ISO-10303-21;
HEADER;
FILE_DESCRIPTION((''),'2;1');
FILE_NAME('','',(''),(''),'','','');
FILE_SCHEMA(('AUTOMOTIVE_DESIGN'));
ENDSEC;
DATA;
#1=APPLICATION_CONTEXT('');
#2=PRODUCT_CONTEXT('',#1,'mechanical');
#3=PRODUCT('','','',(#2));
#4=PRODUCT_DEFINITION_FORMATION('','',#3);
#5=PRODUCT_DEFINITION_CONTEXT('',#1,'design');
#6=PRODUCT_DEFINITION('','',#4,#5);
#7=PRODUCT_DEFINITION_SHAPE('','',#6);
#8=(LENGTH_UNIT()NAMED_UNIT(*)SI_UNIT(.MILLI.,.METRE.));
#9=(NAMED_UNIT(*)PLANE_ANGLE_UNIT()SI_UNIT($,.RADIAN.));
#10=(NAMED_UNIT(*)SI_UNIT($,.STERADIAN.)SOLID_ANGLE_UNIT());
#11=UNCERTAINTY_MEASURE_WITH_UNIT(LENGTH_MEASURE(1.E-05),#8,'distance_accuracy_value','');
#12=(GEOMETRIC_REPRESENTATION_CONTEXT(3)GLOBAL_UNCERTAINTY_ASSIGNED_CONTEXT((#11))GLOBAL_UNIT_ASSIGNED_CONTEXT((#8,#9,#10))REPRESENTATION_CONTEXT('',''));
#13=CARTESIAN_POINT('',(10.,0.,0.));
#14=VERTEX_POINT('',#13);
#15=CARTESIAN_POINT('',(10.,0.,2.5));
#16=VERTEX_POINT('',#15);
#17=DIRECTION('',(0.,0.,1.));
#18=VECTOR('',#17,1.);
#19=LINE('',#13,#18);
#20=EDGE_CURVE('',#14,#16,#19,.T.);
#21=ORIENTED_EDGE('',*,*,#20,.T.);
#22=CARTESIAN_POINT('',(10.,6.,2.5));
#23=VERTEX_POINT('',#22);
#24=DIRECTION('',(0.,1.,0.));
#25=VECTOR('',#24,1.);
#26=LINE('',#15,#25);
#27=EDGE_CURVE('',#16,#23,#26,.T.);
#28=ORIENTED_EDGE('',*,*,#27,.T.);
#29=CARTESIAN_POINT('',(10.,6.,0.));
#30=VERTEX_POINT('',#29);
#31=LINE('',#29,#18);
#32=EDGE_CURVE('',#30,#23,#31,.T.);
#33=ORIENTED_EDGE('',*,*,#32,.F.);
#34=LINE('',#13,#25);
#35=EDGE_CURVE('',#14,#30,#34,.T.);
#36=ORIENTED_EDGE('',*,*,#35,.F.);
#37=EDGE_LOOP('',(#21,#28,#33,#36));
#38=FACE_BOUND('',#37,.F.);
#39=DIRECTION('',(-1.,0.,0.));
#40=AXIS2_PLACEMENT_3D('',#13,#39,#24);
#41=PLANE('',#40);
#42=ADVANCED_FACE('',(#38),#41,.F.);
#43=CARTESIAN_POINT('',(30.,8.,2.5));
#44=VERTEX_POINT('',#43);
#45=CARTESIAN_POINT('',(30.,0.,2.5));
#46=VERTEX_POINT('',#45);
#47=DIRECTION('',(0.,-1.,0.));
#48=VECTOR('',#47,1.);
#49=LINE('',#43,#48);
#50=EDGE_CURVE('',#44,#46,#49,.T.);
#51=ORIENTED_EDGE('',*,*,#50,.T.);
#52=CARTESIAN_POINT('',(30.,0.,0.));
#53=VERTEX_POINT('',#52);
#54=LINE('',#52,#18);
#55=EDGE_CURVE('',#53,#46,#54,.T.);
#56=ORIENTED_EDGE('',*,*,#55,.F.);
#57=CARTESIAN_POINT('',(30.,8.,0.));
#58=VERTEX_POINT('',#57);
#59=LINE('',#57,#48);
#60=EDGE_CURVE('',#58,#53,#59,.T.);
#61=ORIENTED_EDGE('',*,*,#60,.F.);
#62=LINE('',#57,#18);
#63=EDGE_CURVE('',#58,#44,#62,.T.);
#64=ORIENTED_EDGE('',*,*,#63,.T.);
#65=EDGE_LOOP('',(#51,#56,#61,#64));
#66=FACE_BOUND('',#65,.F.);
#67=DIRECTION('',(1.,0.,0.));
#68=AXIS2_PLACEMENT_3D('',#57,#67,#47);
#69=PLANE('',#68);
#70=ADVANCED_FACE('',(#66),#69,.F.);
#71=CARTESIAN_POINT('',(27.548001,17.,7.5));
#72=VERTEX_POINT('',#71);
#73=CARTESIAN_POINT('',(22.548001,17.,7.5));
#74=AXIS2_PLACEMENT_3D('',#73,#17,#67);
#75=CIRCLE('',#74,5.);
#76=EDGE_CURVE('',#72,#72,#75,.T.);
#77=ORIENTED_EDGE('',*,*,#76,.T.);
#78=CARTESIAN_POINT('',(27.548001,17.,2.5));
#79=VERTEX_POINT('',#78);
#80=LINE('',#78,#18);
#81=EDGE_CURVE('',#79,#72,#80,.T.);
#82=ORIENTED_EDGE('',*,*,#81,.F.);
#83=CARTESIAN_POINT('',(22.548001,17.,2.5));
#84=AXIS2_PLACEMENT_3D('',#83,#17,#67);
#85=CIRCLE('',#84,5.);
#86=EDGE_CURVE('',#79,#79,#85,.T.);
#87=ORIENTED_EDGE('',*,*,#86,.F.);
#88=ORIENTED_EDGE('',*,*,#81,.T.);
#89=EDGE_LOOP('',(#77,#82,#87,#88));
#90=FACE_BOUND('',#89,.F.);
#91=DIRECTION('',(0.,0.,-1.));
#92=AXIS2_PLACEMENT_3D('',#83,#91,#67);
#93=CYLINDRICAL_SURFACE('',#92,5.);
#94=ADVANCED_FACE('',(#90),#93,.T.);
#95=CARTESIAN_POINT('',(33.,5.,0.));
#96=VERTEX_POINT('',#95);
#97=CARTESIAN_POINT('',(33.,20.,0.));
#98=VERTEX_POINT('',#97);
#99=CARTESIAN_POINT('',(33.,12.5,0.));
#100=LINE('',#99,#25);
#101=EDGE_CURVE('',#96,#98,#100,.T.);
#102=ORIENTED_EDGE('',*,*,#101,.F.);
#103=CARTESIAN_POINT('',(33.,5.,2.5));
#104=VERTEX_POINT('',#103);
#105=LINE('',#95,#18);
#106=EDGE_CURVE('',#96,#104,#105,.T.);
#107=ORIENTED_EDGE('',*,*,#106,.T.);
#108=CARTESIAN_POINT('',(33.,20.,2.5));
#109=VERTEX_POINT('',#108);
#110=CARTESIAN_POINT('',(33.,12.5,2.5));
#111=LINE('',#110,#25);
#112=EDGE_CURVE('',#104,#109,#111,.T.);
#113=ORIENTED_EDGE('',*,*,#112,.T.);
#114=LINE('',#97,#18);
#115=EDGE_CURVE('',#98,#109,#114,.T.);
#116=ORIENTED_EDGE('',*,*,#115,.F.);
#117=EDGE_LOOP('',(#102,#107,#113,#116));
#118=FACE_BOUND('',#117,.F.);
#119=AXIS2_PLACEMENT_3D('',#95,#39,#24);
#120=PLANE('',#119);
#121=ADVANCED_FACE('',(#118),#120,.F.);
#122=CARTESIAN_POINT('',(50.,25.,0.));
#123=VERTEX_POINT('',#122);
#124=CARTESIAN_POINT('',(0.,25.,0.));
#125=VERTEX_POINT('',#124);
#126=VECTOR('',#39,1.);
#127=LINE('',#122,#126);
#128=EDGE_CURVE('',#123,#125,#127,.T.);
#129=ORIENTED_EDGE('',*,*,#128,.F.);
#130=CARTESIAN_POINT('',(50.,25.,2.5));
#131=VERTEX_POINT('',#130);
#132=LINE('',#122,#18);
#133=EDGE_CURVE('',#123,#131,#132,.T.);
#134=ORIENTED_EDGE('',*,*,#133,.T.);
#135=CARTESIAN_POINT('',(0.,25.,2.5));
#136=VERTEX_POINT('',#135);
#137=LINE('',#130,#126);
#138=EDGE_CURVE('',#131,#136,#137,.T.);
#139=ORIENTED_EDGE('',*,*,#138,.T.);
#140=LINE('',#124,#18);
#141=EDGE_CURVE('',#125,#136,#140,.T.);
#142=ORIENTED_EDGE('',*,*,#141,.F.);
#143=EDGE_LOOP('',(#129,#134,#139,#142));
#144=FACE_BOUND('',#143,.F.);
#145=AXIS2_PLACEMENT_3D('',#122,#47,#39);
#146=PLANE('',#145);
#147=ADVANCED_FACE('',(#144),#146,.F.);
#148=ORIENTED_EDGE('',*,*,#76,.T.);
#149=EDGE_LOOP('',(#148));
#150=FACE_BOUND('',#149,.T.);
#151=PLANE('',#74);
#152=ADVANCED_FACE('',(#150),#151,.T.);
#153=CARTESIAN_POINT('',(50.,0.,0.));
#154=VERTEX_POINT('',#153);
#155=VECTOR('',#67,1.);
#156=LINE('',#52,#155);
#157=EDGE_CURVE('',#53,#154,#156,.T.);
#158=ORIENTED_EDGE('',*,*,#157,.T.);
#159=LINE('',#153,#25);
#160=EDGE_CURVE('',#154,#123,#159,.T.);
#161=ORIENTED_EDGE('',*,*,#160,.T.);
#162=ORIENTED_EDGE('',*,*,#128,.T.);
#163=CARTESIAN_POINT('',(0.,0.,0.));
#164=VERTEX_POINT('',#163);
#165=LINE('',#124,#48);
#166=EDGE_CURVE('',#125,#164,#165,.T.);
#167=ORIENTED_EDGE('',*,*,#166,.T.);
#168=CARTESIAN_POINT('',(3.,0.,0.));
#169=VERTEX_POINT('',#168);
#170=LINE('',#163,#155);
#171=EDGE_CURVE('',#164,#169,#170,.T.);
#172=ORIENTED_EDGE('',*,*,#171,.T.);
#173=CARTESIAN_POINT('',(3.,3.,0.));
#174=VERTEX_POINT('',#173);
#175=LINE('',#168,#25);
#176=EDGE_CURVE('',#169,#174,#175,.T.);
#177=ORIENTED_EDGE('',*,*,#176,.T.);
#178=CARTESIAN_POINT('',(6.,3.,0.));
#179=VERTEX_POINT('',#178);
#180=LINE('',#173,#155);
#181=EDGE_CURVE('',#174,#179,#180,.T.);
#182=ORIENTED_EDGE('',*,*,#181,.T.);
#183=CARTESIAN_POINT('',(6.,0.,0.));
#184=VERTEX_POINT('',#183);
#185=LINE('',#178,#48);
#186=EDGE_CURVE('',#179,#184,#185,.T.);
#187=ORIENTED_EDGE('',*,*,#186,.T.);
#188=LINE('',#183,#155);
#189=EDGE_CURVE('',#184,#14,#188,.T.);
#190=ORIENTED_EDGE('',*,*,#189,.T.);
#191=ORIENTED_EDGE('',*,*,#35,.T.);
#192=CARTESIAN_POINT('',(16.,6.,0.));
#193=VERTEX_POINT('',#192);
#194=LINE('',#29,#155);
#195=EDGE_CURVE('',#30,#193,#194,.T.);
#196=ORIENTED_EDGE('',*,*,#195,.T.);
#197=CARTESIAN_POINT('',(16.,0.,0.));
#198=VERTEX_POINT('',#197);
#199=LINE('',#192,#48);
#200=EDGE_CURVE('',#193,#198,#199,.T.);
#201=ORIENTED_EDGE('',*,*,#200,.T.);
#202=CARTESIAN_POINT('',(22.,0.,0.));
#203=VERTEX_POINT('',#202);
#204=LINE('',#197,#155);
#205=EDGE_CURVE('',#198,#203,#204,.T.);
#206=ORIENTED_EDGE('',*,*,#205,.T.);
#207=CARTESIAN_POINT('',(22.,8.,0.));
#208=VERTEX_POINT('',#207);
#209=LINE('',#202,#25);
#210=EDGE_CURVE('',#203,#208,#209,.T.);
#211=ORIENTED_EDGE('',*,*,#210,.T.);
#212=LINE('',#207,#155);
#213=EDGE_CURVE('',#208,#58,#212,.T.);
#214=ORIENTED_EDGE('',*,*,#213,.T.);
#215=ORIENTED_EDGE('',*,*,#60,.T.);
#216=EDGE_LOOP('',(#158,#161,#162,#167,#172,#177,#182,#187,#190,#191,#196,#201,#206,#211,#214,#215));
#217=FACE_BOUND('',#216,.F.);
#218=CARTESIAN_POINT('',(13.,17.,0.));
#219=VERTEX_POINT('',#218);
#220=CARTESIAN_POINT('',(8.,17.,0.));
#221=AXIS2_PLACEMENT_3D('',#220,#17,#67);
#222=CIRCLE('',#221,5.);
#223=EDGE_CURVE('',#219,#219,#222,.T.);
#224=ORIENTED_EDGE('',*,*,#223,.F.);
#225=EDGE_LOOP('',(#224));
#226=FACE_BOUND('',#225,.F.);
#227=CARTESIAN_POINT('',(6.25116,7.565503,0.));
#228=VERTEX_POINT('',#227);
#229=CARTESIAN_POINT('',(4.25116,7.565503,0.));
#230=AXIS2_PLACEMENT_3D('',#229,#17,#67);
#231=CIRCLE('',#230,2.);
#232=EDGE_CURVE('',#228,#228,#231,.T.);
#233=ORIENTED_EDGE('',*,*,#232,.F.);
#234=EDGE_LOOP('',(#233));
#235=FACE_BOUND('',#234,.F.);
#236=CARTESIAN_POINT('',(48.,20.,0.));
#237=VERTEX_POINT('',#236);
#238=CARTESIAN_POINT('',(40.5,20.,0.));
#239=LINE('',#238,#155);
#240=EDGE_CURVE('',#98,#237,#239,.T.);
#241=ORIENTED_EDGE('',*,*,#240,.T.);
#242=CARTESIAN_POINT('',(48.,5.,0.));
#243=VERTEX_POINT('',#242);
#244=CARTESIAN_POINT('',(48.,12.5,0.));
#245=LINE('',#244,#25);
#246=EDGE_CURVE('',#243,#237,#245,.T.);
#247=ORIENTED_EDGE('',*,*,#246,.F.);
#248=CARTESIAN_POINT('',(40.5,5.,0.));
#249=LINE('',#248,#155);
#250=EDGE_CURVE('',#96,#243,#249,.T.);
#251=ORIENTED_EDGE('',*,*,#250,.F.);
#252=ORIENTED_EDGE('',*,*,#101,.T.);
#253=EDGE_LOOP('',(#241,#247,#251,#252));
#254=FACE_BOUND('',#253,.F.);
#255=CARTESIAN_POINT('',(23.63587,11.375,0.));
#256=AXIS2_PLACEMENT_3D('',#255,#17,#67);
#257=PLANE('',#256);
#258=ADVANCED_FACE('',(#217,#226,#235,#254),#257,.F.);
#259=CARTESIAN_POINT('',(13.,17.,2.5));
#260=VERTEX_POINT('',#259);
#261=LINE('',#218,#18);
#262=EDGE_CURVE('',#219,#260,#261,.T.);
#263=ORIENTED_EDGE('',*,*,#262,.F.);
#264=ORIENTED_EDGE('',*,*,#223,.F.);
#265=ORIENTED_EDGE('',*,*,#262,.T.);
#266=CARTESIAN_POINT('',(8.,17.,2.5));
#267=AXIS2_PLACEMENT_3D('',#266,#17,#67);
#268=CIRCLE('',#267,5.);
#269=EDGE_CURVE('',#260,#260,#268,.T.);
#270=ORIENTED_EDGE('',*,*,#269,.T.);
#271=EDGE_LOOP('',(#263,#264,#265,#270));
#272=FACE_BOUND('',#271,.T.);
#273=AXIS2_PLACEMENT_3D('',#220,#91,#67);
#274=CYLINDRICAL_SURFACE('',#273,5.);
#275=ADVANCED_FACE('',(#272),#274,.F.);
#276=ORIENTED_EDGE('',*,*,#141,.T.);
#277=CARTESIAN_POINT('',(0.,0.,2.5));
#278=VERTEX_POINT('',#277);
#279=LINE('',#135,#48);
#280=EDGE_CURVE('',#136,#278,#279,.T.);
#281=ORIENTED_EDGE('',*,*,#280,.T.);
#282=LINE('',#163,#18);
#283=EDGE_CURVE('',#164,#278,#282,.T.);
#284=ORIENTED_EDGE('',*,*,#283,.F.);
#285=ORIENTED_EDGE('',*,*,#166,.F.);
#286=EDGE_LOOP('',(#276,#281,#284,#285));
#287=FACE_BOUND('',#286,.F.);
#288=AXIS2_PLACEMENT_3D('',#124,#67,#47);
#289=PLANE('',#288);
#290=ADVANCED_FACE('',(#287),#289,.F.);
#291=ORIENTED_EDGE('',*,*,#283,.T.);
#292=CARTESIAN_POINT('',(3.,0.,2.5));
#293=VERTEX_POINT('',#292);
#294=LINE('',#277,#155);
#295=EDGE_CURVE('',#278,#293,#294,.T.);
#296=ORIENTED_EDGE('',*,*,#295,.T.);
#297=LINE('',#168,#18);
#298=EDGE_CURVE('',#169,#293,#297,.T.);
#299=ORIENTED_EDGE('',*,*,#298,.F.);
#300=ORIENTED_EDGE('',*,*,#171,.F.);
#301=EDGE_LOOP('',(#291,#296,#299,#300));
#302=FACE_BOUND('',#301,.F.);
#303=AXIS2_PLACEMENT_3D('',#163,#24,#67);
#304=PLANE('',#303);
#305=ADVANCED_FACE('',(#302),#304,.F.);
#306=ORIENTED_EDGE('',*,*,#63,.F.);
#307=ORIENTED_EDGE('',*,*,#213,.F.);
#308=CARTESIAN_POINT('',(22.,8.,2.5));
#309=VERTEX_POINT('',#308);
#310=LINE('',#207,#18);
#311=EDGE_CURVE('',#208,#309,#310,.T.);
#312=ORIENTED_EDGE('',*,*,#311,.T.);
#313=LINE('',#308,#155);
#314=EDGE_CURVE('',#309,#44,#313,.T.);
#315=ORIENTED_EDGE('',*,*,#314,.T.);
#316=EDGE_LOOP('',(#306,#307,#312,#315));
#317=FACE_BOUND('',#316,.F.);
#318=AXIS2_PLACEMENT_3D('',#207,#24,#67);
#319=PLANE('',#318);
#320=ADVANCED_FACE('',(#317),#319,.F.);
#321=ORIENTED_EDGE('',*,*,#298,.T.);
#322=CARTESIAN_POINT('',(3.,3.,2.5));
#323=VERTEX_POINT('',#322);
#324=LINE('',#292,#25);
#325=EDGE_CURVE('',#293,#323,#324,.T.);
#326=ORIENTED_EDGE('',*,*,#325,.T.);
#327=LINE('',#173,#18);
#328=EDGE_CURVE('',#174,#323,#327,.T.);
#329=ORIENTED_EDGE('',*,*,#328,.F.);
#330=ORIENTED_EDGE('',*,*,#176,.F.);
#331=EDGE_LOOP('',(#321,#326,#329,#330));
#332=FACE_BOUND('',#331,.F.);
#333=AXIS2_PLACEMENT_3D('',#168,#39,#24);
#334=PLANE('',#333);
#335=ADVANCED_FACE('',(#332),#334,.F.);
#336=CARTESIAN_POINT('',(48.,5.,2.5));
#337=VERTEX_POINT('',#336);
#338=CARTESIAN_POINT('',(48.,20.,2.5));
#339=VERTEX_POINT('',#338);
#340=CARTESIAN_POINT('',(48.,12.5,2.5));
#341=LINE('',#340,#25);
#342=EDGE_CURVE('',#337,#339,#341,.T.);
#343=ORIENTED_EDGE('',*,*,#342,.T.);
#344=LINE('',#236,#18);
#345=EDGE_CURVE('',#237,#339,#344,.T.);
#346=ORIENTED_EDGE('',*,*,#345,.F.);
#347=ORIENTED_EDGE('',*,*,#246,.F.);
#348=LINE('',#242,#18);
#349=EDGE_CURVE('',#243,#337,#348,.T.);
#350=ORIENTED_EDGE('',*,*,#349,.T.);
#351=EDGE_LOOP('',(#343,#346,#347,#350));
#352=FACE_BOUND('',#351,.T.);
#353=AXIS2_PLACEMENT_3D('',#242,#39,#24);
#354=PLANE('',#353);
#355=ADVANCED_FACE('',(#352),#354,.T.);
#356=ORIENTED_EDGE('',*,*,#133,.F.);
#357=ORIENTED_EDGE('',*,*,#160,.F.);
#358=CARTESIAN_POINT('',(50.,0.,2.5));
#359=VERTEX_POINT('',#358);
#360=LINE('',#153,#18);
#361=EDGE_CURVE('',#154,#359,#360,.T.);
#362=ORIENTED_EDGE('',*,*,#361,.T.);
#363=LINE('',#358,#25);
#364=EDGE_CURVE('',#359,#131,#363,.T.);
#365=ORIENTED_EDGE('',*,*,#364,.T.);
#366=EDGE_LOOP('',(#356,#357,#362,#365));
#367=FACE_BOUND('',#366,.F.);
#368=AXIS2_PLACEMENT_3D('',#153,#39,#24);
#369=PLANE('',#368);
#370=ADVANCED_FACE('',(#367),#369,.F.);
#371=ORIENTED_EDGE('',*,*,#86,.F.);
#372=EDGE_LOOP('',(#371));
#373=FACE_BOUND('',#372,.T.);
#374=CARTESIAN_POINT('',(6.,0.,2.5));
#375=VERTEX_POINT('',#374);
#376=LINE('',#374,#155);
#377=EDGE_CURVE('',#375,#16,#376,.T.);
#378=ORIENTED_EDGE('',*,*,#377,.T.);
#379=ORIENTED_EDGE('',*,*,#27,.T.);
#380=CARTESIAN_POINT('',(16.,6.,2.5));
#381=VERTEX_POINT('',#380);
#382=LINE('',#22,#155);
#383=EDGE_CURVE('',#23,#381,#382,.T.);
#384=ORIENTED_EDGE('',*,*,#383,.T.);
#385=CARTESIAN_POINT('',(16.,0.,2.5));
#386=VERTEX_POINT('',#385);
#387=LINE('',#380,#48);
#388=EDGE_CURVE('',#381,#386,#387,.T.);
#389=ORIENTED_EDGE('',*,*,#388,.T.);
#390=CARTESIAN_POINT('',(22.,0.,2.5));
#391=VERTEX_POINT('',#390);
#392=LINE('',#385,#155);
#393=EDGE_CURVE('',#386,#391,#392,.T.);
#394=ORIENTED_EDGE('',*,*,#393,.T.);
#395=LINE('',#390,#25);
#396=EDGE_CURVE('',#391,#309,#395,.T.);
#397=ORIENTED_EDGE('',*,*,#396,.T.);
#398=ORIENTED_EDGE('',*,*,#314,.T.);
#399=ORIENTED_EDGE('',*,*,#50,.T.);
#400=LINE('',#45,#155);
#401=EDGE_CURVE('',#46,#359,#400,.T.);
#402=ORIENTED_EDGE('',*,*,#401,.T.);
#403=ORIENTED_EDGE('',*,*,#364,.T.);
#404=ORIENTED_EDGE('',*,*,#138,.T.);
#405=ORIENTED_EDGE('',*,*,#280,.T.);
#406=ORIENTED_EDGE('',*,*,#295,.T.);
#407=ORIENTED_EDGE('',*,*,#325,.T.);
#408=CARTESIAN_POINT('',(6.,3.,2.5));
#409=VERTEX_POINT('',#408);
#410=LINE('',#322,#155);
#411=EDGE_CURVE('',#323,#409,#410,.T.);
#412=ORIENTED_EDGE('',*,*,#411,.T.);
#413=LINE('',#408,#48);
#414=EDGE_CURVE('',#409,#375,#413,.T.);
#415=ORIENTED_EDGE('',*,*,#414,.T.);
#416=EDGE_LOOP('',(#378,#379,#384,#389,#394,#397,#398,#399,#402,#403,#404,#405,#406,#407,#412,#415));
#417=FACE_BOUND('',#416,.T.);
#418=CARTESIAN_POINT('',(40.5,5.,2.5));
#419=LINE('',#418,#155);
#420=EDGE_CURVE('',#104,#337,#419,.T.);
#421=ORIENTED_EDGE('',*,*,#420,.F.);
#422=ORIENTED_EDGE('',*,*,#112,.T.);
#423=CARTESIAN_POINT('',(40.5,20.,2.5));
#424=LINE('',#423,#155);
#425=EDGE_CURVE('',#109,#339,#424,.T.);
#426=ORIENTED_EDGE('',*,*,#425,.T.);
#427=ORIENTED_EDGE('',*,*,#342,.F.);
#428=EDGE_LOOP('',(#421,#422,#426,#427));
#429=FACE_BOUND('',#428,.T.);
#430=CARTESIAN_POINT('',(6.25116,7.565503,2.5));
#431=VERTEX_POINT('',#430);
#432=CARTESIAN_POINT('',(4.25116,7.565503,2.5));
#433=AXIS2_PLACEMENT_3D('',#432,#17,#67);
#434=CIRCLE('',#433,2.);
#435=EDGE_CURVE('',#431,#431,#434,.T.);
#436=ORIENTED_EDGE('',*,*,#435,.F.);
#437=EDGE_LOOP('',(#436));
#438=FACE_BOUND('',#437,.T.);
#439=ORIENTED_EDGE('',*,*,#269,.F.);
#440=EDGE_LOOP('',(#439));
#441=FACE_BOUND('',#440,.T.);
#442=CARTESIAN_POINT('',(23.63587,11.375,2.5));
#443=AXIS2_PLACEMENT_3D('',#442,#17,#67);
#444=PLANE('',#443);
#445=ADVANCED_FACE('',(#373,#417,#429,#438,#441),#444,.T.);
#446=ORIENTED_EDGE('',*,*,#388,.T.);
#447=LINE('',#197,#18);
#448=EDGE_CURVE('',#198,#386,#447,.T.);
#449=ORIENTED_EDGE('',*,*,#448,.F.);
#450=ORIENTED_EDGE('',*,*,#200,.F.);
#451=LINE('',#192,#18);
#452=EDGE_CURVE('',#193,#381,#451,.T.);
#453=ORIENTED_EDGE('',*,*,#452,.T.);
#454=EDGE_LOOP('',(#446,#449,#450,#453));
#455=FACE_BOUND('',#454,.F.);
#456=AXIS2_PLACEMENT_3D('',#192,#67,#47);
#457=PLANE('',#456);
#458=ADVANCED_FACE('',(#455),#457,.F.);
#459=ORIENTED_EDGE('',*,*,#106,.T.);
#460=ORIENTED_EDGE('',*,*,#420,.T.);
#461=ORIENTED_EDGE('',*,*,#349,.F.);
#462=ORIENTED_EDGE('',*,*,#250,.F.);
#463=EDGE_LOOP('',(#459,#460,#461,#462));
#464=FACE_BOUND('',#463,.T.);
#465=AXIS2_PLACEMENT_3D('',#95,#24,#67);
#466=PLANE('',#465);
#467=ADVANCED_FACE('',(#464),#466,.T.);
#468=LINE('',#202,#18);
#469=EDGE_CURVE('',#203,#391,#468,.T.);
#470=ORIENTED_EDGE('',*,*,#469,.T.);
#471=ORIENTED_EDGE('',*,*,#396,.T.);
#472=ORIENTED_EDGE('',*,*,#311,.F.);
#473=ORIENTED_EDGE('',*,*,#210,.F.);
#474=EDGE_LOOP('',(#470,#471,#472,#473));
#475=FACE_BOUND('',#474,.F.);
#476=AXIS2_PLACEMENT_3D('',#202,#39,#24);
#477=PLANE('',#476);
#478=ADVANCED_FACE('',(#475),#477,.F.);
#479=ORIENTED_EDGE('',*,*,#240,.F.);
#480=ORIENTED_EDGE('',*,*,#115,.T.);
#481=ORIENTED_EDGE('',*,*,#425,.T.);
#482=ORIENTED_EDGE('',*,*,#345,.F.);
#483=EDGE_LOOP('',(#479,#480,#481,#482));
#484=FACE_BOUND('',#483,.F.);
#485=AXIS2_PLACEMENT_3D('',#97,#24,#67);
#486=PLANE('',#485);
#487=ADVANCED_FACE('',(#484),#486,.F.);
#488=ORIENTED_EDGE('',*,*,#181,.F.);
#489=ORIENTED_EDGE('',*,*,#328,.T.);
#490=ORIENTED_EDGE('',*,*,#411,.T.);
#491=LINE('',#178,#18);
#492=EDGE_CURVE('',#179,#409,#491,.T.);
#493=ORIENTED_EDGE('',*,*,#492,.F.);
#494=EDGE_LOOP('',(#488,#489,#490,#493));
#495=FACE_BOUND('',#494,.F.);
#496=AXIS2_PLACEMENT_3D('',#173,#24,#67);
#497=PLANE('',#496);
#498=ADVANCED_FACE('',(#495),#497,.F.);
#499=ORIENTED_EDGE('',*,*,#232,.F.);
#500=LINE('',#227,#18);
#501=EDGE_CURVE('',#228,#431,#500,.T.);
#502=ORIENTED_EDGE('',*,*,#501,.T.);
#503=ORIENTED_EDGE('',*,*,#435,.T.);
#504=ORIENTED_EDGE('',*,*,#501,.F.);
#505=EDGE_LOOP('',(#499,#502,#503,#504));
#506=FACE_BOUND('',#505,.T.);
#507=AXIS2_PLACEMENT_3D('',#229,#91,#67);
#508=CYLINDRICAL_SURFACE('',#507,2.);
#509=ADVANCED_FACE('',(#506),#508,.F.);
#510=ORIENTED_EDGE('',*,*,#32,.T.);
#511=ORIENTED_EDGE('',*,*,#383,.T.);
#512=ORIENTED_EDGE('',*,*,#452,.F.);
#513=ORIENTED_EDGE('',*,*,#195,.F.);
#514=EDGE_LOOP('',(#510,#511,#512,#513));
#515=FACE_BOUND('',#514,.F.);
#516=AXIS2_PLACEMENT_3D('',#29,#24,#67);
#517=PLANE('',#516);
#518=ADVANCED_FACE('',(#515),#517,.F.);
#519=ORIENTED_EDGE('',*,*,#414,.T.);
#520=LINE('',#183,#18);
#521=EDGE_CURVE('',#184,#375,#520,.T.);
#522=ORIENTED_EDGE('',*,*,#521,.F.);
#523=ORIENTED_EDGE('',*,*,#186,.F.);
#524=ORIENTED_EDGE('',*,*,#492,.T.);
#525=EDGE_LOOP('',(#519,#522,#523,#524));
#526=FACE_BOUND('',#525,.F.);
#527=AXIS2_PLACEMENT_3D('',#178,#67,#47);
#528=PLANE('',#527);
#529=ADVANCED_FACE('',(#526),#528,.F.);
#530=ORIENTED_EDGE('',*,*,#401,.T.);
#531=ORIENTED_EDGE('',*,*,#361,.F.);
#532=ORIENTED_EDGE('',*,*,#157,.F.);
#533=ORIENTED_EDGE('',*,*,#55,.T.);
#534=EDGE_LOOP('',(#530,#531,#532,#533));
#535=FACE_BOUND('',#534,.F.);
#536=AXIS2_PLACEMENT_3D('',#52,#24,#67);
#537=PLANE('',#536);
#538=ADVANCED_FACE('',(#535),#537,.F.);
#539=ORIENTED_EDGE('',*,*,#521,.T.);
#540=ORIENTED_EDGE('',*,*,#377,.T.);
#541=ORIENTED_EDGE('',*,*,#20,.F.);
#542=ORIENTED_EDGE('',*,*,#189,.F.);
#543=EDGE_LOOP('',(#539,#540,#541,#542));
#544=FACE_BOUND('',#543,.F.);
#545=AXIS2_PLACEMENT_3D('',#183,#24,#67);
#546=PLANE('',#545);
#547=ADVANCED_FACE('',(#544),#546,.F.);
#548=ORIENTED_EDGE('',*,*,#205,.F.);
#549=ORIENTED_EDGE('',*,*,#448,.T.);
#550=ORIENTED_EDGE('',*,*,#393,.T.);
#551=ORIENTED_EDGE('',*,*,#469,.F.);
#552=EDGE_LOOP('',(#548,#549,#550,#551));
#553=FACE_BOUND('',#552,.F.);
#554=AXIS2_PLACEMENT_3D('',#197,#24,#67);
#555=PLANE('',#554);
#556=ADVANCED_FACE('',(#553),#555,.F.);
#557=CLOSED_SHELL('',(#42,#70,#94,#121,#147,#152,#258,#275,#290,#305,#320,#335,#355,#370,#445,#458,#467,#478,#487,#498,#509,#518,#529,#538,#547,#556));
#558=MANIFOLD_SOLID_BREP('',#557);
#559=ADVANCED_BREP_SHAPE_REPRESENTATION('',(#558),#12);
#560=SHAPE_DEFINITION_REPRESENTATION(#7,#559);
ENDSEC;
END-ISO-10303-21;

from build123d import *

# Parameters (mm, degrees)
F0_R     = 2
F0_R_2   = 5
F0_W     = 15
F0_H     = 15
F1_DEPTH = 2.5
F2_R     = 5
F3_DEPTH = 5


with BuildPart() as f1:
    # F0 (on Top) → F1 (new body)
    with BuildSketch(Plane.XY):
        Polygon((0, 25), (0, 0), (3, 0), (3, 3), (6, 3), (6, 0), (10, 0), (10, 6), (16, 6), (16, 0), (22, 0), (22, 8), (30, 8), (30, 0), (50, 0), (50, 25), align=None)
        with Locations((4.25116, 7.565503)):
            Circle(F0_R, mode=Mode.SUBTRACT)
        with Locations((8, 17)):
            Circle(F0_R_2, mode=Mode.SUBTRACT)
        with Locations((40.5, 12.5)):
            Rectangle(F0_W, F0_H, mode=Mode.SUBTRACT)
    extrude(amount=F1_DEPTH)

    # F2 (on face) → F3 (join)
    with BuildSketch(Plane.XY.offset(2.5)):
        with Locations((22.548001, 17)):
            Circle(F2_R)
    extrude(amount=F3_DEPTH)


solid = f1.part
